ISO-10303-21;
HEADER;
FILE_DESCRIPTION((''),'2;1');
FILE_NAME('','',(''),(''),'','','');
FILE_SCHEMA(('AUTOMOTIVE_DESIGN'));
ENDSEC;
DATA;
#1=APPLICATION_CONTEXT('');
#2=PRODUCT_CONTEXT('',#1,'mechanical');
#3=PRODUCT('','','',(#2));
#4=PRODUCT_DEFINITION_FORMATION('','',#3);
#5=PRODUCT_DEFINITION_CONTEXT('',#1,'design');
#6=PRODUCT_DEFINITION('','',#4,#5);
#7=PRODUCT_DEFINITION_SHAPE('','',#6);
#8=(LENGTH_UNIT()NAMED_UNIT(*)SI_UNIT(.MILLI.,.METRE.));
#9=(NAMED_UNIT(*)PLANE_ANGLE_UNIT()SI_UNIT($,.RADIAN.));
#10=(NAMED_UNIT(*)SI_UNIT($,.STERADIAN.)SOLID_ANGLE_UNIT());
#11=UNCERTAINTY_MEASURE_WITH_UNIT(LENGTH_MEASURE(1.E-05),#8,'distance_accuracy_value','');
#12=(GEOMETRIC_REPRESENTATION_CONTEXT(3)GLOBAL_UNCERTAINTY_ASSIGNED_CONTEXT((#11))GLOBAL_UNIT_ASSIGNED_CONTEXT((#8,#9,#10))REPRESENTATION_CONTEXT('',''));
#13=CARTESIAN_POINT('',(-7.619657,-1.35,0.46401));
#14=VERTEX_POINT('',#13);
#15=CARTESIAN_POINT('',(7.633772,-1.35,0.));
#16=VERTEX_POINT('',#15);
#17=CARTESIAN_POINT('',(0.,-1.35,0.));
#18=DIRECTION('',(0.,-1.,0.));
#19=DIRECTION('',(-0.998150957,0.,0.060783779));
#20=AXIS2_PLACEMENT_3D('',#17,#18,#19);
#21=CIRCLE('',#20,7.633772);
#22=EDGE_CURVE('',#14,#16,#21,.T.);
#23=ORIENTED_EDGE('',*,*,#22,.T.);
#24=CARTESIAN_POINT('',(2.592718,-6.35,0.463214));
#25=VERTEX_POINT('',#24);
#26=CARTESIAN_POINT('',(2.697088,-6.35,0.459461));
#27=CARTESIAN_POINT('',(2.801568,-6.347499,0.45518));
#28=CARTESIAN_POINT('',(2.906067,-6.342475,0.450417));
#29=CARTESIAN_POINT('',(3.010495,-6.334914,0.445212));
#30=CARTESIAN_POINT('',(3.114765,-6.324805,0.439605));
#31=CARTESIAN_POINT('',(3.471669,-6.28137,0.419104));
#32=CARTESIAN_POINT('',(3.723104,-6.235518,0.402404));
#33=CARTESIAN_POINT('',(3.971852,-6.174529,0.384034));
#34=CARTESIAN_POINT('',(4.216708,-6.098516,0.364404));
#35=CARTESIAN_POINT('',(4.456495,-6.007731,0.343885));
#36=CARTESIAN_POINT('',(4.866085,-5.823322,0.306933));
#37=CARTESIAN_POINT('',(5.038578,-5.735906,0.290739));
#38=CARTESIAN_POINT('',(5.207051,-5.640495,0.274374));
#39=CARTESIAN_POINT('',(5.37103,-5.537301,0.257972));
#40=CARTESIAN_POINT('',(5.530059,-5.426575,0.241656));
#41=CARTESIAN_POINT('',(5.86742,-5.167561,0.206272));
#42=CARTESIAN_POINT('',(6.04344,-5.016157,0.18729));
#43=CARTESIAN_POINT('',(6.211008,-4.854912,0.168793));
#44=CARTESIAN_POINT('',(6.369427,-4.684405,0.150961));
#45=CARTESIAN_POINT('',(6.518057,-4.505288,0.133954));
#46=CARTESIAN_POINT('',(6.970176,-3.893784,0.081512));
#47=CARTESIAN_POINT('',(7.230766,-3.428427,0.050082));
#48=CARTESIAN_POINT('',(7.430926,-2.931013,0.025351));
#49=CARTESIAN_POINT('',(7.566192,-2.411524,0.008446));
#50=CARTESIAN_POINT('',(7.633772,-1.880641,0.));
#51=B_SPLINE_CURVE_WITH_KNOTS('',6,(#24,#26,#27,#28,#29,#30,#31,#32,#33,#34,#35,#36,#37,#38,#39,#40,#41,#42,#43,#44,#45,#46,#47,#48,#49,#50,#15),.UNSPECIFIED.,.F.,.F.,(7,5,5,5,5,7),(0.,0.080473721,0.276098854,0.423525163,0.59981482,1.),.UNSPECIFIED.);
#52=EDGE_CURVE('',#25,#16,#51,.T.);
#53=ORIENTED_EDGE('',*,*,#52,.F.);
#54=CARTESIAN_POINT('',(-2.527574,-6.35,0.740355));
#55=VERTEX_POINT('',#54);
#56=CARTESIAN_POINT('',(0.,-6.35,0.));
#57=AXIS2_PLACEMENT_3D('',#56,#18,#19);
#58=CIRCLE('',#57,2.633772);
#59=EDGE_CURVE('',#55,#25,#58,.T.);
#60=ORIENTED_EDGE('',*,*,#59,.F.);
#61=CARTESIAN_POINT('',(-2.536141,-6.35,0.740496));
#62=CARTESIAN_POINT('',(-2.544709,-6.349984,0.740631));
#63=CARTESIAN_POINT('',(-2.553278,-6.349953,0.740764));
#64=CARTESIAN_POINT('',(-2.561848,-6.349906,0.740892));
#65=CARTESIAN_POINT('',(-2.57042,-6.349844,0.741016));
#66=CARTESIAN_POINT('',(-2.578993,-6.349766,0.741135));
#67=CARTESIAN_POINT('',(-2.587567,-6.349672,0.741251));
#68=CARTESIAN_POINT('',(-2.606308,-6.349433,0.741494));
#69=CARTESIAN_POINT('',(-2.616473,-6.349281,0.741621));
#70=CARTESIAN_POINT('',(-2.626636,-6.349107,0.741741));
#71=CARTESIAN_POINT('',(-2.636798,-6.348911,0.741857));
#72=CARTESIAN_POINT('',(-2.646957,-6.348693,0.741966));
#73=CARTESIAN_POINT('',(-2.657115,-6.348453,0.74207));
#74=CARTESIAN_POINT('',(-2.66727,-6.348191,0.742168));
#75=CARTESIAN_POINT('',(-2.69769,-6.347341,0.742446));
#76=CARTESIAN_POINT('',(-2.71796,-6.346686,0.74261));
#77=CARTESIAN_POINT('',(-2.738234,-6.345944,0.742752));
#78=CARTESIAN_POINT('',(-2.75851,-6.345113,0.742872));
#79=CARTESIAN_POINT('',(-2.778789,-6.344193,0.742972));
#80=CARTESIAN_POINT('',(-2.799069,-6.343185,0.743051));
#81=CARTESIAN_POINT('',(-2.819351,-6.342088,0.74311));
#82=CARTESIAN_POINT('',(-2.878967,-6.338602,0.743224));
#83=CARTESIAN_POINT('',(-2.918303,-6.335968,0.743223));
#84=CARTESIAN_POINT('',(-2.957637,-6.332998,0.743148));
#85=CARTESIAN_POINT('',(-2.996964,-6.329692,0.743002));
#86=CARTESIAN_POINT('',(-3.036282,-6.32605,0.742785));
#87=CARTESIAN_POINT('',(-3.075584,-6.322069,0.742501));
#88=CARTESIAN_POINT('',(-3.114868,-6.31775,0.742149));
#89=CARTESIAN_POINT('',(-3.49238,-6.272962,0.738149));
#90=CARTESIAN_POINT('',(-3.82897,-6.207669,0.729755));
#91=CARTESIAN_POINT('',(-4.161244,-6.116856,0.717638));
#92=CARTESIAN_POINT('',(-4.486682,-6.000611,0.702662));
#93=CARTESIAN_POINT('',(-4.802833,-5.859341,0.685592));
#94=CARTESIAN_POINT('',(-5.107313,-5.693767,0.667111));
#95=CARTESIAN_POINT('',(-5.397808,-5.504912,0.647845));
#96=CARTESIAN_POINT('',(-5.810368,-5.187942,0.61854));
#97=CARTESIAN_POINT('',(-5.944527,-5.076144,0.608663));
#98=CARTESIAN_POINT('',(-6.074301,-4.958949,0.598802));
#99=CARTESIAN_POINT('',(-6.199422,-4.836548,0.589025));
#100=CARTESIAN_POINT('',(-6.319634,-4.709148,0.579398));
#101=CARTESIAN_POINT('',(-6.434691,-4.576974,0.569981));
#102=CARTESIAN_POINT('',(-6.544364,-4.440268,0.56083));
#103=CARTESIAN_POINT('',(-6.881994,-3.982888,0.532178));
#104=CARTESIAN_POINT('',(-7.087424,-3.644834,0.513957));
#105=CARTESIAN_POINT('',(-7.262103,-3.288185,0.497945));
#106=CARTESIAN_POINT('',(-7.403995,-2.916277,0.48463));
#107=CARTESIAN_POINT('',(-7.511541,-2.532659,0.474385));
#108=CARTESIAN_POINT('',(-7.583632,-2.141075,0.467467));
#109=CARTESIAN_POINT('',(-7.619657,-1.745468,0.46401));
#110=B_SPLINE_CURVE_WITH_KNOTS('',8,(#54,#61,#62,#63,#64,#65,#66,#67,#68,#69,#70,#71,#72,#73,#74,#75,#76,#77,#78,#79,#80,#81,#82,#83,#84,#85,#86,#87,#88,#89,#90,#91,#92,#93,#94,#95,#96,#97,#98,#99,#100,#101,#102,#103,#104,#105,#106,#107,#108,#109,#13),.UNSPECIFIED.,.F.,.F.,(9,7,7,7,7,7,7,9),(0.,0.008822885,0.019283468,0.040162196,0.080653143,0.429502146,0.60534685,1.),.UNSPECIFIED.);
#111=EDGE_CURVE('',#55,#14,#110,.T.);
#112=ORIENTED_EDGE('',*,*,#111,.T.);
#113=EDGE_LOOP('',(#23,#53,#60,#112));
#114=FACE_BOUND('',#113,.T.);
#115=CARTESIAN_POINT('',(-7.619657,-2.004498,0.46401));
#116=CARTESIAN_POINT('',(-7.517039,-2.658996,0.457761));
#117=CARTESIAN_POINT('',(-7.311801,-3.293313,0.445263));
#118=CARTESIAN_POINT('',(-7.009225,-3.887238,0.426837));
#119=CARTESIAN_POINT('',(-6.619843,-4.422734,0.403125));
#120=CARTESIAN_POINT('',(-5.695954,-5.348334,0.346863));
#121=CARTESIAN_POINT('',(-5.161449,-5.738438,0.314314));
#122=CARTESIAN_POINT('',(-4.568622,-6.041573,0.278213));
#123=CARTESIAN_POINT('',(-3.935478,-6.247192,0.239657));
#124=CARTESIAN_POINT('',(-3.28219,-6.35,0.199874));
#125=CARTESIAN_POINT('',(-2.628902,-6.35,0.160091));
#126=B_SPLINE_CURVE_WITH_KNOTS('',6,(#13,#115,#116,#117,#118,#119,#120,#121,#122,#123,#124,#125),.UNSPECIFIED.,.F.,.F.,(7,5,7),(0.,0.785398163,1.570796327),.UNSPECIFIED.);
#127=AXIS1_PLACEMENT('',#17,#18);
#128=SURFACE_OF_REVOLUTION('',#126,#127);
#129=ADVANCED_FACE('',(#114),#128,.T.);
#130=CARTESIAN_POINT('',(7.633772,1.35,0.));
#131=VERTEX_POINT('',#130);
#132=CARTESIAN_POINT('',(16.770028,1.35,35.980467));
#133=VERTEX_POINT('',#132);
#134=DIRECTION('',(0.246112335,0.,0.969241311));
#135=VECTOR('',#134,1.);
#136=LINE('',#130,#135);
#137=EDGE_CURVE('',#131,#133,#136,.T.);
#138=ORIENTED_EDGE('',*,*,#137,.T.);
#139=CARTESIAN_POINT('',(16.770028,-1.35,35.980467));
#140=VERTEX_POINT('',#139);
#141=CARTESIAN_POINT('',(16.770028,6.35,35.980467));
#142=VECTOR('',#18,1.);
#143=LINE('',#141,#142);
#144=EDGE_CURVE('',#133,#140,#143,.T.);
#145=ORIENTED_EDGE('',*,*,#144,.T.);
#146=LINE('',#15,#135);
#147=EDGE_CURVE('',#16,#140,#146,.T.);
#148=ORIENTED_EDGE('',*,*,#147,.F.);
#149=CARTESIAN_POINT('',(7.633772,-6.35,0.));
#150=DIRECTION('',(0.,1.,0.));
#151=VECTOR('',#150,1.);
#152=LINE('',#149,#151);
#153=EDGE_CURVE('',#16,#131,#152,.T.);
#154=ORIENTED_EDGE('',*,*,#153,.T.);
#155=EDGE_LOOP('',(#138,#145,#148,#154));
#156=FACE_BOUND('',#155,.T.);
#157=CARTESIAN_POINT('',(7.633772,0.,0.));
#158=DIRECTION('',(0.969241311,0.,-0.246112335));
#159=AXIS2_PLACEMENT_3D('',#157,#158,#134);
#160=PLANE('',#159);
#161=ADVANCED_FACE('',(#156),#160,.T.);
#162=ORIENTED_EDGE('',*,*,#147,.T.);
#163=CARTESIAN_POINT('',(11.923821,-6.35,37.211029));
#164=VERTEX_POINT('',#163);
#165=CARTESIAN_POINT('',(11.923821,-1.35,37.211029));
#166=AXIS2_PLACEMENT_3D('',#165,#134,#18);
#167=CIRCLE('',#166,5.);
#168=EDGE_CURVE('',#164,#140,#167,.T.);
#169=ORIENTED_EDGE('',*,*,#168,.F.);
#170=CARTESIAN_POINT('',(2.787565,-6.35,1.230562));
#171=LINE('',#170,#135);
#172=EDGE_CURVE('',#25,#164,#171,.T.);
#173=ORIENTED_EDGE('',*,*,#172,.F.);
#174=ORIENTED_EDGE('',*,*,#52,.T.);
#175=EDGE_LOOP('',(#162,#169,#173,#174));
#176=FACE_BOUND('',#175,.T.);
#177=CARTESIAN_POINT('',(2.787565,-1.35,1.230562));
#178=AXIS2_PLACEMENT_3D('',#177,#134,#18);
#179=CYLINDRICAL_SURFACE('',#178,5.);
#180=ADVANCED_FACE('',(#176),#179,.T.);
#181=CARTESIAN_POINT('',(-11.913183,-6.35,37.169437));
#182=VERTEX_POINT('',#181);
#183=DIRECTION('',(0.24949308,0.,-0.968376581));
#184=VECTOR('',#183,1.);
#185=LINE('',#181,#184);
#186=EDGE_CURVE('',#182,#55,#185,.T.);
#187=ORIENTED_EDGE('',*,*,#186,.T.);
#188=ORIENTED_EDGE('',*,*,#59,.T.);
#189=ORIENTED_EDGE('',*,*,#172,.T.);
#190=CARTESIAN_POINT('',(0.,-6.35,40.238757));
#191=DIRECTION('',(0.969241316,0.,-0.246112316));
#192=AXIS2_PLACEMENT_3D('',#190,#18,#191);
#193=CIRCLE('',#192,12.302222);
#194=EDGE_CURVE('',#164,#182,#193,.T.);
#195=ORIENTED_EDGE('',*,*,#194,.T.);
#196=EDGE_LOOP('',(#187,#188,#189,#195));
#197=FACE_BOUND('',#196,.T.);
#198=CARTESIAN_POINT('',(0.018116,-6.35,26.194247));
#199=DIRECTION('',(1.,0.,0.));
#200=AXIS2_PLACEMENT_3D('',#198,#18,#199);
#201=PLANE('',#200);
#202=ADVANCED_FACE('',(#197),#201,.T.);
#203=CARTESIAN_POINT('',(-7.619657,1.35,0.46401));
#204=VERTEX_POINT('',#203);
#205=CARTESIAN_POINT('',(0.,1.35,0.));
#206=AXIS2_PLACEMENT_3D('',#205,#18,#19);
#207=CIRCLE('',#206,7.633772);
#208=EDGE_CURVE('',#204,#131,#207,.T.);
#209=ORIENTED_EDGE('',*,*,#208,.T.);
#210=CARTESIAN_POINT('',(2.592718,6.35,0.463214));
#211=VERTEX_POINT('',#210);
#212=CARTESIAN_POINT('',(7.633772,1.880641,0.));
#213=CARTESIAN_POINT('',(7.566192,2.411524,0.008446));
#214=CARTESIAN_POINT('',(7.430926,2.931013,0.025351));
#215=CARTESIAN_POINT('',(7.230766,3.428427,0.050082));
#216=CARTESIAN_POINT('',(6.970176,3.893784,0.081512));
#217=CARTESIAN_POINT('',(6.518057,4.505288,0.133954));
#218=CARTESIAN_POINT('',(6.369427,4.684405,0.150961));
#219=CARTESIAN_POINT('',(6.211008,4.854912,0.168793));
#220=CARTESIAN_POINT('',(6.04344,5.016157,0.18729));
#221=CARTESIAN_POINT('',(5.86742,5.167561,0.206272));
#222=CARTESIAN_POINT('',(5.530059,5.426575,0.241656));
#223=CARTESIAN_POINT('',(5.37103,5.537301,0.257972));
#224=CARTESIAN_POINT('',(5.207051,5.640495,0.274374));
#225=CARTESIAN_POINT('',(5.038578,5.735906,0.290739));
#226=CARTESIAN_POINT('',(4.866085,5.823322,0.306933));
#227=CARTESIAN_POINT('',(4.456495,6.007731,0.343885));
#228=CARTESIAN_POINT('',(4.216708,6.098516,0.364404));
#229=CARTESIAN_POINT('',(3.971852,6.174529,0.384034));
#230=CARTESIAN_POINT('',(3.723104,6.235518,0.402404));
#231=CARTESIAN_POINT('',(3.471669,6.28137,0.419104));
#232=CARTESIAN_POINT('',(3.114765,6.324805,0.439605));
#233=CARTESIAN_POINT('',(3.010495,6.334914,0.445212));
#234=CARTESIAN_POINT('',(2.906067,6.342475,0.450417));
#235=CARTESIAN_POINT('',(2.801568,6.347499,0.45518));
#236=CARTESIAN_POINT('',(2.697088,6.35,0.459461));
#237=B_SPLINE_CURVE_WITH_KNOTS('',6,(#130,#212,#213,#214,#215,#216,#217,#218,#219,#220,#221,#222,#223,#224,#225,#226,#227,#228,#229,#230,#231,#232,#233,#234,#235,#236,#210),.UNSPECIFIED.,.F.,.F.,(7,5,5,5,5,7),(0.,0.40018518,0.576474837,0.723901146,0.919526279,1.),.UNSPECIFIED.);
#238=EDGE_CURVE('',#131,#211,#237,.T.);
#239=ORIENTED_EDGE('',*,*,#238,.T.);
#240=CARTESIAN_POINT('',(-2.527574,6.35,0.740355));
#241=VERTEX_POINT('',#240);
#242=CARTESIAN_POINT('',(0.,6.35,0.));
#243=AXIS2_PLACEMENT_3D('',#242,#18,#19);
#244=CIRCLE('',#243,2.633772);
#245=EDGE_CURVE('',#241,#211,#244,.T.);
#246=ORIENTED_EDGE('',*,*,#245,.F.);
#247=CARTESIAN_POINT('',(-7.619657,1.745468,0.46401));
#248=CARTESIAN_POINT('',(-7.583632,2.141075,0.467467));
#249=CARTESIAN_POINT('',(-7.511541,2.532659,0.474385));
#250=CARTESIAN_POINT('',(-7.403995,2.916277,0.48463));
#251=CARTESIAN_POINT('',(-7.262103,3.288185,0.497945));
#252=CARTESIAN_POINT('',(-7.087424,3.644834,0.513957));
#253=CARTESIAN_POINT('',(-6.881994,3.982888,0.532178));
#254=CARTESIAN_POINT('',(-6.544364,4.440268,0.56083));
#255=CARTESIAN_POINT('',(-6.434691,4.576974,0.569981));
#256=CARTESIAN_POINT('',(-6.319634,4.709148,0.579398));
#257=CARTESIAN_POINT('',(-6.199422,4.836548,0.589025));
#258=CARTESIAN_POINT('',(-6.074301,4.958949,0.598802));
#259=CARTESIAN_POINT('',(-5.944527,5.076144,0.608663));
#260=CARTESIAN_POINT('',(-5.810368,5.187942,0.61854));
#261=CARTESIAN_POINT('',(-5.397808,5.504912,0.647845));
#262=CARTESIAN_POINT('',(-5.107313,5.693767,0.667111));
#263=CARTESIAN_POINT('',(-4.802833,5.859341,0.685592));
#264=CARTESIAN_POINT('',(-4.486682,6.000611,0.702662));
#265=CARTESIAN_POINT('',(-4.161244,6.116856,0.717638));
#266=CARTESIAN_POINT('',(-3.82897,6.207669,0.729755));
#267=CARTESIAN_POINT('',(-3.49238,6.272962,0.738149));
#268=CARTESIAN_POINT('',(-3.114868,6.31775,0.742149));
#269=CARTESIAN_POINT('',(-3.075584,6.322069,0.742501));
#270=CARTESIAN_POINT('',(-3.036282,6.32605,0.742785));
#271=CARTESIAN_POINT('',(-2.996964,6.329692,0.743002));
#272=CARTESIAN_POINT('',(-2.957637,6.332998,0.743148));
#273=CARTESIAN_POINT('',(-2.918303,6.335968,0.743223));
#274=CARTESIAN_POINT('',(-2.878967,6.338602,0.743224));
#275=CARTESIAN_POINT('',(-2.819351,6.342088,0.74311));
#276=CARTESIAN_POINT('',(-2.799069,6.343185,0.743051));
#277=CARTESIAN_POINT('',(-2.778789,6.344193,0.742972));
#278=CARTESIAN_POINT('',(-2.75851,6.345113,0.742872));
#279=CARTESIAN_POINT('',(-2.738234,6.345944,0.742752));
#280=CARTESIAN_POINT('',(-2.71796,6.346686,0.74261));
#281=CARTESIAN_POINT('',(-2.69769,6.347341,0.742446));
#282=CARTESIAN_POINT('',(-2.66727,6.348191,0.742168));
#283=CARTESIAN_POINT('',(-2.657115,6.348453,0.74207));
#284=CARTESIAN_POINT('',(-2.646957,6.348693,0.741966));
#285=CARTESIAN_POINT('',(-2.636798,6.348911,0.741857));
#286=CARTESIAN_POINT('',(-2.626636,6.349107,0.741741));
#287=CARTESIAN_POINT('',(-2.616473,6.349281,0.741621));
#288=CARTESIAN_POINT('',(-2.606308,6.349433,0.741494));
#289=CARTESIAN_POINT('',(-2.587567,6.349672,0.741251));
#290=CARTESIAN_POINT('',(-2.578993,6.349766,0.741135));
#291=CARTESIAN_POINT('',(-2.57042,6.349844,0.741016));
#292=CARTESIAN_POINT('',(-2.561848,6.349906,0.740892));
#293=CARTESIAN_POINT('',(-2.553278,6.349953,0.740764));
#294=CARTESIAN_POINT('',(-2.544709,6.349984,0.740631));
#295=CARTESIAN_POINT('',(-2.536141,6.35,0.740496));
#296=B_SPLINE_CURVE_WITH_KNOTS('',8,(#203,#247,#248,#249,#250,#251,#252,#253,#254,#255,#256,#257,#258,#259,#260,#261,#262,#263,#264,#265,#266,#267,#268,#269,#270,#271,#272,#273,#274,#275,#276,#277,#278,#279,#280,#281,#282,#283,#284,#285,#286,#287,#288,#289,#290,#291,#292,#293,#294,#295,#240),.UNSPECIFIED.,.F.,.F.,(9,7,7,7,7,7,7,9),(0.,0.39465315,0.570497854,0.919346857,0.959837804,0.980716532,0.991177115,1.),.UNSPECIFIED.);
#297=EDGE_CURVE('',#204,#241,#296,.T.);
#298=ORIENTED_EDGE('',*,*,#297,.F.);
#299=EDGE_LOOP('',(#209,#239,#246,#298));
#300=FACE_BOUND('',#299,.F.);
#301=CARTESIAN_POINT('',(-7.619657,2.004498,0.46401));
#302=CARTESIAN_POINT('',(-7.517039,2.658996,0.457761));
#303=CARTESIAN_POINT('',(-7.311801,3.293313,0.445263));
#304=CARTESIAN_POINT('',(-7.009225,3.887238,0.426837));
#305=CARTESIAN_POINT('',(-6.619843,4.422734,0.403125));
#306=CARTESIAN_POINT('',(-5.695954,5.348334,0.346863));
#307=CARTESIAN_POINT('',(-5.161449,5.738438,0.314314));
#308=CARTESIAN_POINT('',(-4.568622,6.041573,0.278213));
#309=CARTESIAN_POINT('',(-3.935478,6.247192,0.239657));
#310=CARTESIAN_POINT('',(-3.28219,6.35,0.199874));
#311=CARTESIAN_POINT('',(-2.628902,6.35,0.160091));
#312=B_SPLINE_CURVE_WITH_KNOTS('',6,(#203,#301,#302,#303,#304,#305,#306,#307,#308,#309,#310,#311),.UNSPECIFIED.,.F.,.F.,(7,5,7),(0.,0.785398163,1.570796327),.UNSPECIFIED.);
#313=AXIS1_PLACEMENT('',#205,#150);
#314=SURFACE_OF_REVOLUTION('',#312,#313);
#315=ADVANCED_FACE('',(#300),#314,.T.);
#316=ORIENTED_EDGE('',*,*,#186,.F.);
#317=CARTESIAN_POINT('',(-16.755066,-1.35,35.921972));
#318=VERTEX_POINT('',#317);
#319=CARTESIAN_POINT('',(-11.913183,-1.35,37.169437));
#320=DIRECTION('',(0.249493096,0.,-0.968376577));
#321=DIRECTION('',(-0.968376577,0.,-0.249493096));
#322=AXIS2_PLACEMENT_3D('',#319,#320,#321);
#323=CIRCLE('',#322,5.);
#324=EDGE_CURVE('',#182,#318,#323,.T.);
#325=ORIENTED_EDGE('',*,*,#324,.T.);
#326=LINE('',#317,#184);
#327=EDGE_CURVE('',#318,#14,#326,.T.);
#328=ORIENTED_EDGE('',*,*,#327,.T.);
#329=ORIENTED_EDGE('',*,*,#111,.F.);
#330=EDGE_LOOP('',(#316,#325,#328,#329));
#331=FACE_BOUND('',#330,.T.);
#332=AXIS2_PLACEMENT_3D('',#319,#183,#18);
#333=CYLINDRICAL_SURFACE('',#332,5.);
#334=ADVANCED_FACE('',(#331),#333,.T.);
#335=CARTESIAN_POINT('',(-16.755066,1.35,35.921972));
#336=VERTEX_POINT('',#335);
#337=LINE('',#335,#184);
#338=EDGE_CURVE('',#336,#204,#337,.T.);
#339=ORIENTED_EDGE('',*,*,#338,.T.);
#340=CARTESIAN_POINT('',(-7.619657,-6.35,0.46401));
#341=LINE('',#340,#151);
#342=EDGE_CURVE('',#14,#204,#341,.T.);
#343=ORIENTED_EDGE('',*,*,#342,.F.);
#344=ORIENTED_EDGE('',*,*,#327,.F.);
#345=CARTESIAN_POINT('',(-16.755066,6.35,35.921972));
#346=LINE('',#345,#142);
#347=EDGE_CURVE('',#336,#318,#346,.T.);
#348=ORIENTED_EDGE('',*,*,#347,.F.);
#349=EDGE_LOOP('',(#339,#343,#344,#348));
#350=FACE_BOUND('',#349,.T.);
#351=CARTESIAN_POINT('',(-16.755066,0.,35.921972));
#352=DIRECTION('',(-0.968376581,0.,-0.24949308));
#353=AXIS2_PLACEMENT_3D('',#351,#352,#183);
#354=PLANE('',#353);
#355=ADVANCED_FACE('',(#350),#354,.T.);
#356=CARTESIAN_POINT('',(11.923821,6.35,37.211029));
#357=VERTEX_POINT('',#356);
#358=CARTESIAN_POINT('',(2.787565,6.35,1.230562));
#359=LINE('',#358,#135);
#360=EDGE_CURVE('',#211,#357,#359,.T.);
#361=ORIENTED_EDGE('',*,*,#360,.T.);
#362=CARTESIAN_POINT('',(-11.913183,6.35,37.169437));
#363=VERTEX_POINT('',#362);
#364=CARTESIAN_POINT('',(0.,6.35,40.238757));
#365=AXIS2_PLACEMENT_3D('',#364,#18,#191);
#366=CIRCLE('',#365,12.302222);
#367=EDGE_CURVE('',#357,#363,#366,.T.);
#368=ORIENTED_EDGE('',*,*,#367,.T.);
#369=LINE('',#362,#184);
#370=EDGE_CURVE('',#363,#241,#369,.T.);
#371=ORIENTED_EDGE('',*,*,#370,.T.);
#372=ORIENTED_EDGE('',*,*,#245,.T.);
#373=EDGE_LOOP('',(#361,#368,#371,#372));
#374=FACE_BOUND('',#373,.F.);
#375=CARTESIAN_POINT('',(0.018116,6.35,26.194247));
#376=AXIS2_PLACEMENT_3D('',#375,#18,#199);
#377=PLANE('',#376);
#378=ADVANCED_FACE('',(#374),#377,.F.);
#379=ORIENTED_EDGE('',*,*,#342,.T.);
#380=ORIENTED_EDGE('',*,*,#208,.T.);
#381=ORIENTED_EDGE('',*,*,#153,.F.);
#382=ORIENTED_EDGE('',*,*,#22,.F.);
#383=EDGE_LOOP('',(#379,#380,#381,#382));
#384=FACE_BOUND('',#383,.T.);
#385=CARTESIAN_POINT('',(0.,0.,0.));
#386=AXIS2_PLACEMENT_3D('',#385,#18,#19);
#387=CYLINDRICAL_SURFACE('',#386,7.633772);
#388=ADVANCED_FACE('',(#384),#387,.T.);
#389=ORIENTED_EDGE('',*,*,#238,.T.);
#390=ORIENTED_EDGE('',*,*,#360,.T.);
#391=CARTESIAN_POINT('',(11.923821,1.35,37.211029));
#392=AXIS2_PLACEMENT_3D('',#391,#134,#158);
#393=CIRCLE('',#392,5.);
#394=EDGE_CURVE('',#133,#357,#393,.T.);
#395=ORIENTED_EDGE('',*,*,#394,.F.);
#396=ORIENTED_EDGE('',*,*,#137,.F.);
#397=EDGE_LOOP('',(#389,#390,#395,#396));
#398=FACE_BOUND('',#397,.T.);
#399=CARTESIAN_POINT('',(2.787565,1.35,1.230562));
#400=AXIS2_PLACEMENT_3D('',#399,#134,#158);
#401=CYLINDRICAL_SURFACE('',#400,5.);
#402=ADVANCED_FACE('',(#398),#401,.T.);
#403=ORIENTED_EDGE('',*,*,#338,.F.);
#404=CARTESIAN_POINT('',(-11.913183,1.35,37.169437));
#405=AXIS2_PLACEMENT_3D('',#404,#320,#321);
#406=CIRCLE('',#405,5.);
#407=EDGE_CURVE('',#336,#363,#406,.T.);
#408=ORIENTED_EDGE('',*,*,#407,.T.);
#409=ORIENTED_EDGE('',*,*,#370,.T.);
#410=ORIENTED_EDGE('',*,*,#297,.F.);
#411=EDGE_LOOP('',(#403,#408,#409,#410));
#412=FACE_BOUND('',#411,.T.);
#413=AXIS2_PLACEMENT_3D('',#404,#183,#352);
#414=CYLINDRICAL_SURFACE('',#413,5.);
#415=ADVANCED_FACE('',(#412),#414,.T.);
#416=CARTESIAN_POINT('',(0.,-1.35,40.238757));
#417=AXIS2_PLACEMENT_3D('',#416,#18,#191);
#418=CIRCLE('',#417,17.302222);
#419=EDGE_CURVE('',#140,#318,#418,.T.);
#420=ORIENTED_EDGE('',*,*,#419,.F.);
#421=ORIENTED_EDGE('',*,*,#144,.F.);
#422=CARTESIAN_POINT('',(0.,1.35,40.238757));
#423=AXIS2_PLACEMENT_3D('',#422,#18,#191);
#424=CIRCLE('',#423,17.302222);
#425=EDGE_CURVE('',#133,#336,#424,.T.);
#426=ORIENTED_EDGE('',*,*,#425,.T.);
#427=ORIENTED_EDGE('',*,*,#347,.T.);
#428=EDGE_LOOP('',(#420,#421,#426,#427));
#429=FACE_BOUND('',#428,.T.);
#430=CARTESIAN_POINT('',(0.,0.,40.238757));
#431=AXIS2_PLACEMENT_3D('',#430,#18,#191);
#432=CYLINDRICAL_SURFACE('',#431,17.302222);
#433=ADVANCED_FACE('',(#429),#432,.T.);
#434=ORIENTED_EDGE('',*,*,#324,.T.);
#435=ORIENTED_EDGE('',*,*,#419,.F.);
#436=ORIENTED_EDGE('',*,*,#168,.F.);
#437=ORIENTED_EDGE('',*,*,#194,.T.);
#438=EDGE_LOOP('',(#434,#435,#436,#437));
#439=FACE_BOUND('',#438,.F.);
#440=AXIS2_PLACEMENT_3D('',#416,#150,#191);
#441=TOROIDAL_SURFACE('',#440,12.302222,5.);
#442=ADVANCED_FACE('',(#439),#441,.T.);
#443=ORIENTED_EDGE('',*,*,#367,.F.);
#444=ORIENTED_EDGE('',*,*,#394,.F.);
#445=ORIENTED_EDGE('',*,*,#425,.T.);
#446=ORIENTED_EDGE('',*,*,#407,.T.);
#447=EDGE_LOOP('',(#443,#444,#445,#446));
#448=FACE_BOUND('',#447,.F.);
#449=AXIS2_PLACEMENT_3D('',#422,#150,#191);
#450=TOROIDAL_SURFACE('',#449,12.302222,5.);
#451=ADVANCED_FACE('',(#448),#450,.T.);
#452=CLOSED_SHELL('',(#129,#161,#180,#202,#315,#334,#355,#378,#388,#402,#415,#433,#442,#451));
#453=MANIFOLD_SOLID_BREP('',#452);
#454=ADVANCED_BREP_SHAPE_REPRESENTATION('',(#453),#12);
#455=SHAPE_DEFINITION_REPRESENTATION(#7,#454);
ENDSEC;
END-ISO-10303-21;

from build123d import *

# Parameters (mm, degrees)
F1_DEPTH = 6.35
F2_R     = 5


with BuildPart() as f1:
    # F0 (on Front) → F1 (new body, symmetric)
    with BuildSketch(Plane.XZ):
        with BuildLine():
            Line((7.633772, 0), (16.770028, 35.980467))
            ThreePointArc((16.770028, 35.980467), (-0.030189, 57.540952), (-16.755066, 35.921972))
            Line((-16.755066, 35.921972), (-7.619657, 0.46401))
            ThreePointArc((-7.619657, 0.46401), (-0.232112, -7.630242), (7.633772, 0))
        make_face()
    extrude(amount=F1_DEPTH, both=True)

    # F2
    f2_edges = [f1.edges().sort_by_distance(p)[0] for p in [
        (-0.030189, 6.35, 57.540952),
        (12.2019, 6.35, 17.990233),
        (-0.232112, 6.35, -7.630242),
        (-12.187361, 6.35, 18.192991),
        (-0.030189, -6.35, 57.540952),
        (-12.187361, -6.35, 18.192991),
        (-0.232112, -6.35, -7.630242),
    ]]
    fillet(f2_edges, radius=F2_R)


solid = f1.part
